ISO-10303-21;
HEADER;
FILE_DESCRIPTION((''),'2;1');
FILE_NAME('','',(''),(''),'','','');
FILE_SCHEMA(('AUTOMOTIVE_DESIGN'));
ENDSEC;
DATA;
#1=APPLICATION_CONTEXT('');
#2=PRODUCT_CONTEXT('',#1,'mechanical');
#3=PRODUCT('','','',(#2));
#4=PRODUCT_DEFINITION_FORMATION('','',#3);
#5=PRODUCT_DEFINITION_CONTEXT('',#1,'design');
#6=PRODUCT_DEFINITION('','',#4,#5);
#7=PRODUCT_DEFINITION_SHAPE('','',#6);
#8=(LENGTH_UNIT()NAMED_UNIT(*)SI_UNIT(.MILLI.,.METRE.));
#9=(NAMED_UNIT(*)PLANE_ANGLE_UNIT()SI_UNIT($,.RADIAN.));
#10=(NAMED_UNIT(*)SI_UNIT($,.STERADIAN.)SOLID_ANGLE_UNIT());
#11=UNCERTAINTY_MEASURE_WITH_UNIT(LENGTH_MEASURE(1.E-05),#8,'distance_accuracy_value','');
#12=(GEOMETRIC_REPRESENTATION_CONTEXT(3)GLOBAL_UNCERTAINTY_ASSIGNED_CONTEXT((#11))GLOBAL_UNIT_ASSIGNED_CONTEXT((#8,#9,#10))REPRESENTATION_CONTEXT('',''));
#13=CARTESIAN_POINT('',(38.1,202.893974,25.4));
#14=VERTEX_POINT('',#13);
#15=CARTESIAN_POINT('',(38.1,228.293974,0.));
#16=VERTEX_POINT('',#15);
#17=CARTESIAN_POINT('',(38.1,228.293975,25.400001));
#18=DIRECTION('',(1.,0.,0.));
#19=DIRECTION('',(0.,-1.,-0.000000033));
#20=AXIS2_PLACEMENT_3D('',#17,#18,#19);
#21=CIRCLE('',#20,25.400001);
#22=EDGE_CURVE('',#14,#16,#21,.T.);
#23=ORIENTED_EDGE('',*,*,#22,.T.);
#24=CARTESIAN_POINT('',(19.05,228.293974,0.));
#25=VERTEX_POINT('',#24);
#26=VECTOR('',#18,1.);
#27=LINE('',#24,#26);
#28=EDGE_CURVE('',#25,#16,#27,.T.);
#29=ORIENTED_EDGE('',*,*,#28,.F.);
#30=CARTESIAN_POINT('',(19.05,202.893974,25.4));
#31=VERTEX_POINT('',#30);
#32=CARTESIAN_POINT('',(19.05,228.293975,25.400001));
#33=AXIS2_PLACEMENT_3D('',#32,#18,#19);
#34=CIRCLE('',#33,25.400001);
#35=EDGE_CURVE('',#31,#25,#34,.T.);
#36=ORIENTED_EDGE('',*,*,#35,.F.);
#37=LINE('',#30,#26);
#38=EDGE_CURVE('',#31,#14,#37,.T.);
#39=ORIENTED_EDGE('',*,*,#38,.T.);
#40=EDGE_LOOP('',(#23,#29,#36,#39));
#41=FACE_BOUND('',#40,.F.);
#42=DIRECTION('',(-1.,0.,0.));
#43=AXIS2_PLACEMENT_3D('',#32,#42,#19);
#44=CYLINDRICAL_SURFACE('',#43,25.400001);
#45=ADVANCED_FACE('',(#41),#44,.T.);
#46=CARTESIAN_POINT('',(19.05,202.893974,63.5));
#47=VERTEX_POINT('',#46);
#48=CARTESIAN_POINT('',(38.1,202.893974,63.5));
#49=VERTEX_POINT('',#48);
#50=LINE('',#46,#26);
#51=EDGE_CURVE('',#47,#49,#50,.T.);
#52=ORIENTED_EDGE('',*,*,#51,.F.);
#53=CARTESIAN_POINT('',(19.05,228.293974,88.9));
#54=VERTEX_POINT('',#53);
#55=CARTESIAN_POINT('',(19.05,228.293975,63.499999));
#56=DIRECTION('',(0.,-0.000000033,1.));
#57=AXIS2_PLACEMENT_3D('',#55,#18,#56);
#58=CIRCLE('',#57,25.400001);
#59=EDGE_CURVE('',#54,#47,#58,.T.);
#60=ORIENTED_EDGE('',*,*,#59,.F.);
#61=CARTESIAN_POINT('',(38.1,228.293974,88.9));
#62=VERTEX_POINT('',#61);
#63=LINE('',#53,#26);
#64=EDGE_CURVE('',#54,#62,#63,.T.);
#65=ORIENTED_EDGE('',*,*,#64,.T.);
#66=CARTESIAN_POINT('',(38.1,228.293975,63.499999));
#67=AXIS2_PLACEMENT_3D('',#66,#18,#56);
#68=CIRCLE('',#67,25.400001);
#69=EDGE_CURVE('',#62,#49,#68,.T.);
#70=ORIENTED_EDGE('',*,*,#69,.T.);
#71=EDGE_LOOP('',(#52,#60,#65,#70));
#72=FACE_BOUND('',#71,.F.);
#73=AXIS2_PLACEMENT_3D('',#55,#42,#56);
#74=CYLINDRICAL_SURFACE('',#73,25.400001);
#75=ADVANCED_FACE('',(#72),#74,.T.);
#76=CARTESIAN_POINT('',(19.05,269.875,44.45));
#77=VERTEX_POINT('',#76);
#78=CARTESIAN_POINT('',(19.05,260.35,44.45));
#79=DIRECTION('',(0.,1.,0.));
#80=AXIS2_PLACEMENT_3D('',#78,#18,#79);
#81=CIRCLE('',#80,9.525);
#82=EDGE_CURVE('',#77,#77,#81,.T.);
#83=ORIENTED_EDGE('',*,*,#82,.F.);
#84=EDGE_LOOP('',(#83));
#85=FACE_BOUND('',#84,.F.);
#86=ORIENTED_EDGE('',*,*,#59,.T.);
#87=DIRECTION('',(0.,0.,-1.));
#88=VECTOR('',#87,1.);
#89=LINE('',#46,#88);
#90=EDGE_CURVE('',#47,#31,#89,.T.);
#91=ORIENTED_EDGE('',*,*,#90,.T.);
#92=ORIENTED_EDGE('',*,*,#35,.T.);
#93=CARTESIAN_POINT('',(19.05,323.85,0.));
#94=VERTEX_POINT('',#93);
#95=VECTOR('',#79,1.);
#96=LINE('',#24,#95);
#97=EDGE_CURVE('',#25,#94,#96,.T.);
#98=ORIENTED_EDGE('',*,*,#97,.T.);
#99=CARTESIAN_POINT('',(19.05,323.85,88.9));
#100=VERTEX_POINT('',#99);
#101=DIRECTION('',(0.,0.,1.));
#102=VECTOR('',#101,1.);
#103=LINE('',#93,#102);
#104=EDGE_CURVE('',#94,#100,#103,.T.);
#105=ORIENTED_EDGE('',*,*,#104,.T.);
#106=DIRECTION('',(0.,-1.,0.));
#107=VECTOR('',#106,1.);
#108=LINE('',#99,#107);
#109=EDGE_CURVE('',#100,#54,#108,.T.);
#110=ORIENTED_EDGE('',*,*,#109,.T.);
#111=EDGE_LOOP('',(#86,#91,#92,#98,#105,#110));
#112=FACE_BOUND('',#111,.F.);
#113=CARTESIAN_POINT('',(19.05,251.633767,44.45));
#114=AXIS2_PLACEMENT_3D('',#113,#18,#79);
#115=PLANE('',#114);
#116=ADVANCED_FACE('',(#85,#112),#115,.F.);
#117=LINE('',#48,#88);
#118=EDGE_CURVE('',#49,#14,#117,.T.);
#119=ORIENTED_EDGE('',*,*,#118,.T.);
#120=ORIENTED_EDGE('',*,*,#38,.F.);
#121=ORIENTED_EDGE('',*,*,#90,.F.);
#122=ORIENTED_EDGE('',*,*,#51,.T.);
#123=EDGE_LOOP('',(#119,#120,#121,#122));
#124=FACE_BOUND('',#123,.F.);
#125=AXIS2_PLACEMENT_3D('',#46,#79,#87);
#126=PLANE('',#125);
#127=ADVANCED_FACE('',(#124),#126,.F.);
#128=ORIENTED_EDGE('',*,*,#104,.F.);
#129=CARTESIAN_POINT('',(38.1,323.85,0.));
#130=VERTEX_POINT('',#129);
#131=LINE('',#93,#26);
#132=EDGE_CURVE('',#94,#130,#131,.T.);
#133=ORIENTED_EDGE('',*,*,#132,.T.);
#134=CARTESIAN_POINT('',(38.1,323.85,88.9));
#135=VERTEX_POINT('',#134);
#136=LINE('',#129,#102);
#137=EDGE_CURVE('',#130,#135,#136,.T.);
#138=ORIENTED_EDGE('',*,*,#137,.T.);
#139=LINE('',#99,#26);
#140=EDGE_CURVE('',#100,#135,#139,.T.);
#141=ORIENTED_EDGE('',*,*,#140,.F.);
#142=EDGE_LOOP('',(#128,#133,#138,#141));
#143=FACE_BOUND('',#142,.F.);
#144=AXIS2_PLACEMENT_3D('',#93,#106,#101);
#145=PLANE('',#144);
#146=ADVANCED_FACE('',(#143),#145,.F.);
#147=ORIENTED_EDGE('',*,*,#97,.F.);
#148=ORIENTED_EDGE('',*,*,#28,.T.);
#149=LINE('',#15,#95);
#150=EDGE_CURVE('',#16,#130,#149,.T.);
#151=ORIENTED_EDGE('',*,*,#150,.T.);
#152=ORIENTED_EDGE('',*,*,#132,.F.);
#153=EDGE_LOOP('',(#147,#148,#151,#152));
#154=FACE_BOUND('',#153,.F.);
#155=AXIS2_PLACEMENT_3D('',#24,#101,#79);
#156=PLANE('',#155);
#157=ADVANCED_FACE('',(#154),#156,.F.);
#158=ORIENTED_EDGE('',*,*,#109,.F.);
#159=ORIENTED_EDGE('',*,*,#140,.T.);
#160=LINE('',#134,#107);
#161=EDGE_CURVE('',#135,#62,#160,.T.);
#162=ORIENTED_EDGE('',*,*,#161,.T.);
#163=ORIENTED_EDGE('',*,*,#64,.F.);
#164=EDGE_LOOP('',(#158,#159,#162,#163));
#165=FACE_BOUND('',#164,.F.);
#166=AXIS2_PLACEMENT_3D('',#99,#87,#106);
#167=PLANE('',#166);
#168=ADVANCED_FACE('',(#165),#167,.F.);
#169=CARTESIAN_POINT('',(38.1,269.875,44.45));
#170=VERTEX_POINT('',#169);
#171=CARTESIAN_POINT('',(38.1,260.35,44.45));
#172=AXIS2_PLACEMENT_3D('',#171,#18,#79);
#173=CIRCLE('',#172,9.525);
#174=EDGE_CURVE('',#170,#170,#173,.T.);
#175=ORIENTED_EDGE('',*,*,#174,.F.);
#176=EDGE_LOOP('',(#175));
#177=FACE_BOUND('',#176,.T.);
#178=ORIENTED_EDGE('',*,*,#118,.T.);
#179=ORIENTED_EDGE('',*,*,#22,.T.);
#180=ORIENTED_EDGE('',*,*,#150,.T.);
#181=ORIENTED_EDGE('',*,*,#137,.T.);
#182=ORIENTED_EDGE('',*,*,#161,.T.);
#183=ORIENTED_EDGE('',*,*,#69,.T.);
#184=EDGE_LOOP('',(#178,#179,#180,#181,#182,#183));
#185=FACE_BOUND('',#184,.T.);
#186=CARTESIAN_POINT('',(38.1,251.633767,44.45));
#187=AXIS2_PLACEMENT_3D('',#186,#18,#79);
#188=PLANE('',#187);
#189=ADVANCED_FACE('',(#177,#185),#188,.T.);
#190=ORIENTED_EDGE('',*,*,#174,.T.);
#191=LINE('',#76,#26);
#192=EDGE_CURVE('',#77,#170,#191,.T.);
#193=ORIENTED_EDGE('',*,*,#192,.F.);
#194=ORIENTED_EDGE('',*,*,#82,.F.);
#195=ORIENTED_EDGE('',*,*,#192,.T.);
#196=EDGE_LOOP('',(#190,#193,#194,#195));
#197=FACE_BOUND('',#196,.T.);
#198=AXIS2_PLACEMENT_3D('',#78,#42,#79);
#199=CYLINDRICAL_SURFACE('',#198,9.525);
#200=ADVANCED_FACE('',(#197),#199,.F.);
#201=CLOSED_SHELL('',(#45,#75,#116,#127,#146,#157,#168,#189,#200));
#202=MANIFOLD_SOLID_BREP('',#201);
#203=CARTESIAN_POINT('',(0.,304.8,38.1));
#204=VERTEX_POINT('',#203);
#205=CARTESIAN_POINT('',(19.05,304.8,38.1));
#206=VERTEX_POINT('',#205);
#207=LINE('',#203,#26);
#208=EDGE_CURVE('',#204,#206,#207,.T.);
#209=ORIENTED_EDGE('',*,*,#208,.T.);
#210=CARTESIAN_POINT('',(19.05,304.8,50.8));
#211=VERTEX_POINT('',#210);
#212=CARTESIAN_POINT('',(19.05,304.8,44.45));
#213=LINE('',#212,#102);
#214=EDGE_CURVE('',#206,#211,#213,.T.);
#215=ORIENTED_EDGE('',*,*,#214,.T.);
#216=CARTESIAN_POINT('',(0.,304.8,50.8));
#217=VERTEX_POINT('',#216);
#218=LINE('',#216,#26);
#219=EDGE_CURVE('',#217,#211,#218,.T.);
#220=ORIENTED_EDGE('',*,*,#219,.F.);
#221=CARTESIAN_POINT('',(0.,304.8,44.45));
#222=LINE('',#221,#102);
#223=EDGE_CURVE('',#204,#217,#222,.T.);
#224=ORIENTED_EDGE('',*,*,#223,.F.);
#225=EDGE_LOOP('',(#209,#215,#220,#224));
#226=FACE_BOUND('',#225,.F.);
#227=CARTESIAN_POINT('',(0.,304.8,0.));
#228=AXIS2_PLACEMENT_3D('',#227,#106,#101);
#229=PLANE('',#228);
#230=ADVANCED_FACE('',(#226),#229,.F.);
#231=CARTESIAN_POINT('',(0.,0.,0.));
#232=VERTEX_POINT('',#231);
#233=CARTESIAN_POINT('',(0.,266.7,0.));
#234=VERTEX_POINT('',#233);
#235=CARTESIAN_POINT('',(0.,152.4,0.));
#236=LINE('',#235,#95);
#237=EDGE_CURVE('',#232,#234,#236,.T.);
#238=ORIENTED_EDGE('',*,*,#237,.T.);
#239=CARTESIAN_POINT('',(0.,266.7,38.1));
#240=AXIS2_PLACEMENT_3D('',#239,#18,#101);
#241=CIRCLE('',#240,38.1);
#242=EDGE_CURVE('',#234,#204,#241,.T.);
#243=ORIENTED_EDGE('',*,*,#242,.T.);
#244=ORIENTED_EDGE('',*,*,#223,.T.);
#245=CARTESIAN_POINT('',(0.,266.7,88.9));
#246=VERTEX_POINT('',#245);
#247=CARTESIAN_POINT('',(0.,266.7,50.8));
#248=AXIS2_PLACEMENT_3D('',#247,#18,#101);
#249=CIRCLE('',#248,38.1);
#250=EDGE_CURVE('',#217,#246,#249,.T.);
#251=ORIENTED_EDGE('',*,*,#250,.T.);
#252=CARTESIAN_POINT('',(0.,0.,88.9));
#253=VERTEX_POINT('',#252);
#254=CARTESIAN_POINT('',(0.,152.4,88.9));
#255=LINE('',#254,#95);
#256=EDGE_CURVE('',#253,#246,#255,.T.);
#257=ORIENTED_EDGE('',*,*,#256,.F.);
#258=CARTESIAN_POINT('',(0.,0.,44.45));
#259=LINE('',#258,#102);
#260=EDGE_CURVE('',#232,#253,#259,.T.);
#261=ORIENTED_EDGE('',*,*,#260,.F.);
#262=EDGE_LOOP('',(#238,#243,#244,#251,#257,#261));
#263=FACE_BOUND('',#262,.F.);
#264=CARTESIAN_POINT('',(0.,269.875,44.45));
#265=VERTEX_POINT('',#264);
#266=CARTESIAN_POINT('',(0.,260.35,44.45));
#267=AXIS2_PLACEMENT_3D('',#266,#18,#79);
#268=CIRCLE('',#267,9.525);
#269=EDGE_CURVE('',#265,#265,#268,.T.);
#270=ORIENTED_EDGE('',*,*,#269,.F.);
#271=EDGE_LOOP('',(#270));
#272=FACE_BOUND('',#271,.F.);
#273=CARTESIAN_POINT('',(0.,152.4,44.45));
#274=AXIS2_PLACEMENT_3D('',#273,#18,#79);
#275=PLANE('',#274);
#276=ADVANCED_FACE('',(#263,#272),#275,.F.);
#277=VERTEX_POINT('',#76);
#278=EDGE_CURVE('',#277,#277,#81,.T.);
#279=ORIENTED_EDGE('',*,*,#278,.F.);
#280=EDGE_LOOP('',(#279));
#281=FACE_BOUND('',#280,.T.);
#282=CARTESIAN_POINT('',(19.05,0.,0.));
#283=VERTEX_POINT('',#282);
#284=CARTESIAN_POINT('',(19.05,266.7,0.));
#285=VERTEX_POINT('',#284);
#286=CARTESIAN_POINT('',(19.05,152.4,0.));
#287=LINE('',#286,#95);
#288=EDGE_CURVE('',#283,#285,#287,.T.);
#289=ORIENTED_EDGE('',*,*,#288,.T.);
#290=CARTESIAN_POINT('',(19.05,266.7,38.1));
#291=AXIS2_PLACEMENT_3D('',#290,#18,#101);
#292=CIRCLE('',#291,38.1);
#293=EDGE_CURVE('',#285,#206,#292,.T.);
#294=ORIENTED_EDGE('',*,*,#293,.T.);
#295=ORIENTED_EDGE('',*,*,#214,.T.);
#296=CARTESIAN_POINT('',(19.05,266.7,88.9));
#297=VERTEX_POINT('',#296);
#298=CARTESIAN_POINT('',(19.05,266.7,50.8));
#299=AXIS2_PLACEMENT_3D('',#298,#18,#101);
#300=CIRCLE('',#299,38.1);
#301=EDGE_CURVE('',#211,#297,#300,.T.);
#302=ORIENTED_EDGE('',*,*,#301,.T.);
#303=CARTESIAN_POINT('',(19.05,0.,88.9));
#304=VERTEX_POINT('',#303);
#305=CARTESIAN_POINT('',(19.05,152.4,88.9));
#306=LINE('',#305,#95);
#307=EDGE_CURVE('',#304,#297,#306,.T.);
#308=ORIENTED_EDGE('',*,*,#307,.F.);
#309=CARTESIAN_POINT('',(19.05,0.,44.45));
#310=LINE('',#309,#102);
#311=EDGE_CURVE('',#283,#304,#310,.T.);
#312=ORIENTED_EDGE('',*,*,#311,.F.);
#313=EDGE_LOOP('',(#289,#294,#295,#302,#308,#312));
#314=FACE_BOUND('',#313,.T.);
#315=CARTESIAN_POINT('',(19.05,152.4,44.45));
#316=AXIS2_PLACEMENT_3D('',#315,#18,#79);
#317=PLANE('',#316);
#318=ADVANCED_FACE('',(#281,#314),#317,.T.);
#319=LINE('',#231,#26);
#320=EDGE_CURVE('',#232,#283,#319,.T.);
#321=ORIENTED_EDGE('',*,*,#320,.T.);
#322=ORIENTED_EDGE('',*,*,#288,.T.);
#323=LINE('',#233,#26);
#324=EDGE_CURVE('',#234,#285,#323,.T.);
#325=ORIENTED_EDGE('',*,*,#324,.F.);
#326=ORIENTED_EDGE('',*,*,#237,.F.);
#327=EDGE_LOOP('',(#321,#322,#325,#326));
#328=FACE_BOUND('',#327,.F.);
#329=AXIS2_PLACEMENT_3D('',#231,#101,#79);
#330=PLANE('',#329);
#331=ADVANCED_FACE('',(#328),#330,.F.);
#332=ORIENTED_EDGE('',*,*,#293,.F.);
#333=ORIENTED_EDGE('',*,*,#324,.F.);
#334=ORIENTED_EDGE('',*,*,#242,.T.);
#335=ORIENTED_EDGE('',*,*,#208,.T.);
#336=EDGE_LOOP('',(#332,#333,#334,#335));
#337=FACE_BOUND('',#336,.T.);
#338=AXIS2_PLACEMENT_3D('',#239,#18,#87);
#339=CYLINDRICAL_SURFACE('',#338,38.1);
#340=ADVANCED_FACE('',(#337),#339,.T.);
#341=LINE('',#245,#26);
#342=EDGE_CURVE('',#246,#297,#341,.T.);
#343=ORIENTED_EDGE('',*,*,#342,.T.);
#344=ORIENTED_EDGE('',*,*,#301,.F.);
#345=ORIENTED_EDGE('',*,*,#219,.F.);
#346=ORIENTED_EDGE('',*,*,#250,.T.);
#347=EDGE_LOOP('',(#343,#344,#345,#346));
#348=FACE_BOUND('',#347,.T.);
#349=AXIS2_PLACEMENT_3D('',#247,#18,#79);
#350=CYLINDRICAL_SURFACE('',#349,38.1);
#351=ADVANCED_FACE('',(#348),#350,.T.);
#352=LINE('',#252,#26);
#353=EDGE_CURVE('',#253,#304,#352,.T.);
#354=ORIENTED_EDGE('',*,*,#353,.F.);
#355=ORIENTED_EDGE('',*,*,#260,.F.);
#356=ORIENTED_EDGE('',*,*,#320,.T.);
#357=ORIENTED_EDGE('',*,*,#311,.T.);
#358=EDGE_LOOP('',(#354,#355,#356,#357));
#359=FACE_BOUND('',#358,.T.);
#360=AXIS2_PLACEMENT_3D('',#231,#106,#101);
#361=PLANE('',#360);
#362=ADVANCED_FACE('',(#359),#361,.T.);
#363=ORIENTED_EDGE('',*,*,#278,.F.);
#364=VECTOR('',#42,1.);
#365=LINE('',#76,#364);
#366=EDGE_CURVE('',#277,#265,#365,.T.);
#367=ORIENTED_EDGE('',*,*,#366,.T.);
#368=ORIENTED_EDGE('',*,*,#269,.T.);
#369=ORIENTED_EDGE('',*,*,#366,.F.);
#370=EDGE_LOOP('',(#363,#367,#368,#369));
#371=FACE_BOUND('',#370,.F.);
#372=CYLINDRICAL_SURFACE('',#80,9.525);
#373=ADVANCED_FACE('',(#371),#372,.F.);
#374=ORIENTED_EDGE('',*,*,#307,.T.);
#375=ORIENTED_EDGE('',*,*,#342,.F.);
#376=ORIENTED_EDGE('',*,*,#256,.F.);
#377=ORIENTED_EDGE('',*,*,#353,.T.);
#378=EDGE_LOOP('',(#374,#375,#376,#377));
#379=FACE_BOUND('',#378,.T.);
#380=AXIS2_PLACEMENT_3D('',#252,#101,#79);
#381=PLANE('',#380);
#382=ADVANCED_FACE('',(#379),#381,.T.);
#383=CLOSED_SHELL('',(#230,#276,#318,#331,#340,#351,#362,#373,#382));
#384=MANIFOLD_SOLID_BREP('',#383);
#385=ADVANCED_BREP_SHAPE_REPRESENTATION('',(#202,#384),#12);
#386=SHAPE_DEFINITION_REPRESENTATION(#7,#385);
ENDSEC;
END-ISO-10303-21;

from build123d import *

# Parameters (mm, degrees)
F0_W     = 304.8
F0_H     = 88.9
F1_DEPTH = 19.05
F2_R     = 38.1
F3_R     = 9.525
F4_DEPTH = 19.051
F5_R     = 9.525
F6_DEPTH = 19.05


with BuildPart() as f1:
    # F0 (on Right) → F1 (new body)
    with BuildSketch(Plane.YZ):
        with Locations((152.4, 44.45)):
            Rectangle(F0_W, F0_H)
    extrude(amount=F1_DEPTH)

    # F2
    f2_edges = [f1.edges().sort_by_distance(p)[0] for p in [
        (9.525, 304.8, 88.9),
        (9.525, 304.8, 0),
    ]]
    fillet(f2_edges, radius=F2_R)

    # F3 (on face) → F4 (cut, through all)
    with BuildSketch(Plane.YZ.offset(19.05)):
        with Locations((260.35, 44.45)):
            Circle(F3_R)
    extrude(amount=-F4_DEPTH, mode=Mode.SUBTRACT)


with BuildPart() as f6:
    # F5 (on face) → F6 (new body)
    with BuildSketch(Plane.YZ.offset(19.05)):
        with BuildLine():
            Line((266.7, 88.9), (228.293974, 88.9))
            ThreePointArc((228.293974, 88.9), (210.333462, 81.460512), (202.893974, 63.5))
            Line((202.893974, 63.5), (202.893974, 25.4))
            ThreePointArc((202.893974, 25.4), (210.333462, 7.439488), (228.293974, 0))
            Line((228.293974, 0), (266.7, 0))
            ThreePointArc((266.7, 0), (293.640768, 11.159232), (304.8, 38.1))
            Line((304.8, 38.1), (304.8, 50.8))
            ThreePointArc((304.8, 50.8), (293.640768, 77.740768), (266.7, 88.9))
        make_face()
        with Locations((260.35, 44.45)):
            Circle(F5_R, mode=Mode.SUBTRACT)
        with BuildLine():
            Line((323.85, 88.9), (266.7, 88.9))
            ThreePointArc((266.7, 88.9), (293.640768, 77.740768), (304.8, 50.8))
            Line((304.8, 50.8), (304.8, 38.1))
            ThreePointArc((304.8, 38.1), (293.640768, 11.159232), (266.7, 0))
            Line((266.7, 0), (323.85, 0))
            Line((323.85, 0), (323.85, 88.9))
        make_face()
    extrude(amount=F6_DEPTH)


solid = Compound([f1.part, f6.part])
